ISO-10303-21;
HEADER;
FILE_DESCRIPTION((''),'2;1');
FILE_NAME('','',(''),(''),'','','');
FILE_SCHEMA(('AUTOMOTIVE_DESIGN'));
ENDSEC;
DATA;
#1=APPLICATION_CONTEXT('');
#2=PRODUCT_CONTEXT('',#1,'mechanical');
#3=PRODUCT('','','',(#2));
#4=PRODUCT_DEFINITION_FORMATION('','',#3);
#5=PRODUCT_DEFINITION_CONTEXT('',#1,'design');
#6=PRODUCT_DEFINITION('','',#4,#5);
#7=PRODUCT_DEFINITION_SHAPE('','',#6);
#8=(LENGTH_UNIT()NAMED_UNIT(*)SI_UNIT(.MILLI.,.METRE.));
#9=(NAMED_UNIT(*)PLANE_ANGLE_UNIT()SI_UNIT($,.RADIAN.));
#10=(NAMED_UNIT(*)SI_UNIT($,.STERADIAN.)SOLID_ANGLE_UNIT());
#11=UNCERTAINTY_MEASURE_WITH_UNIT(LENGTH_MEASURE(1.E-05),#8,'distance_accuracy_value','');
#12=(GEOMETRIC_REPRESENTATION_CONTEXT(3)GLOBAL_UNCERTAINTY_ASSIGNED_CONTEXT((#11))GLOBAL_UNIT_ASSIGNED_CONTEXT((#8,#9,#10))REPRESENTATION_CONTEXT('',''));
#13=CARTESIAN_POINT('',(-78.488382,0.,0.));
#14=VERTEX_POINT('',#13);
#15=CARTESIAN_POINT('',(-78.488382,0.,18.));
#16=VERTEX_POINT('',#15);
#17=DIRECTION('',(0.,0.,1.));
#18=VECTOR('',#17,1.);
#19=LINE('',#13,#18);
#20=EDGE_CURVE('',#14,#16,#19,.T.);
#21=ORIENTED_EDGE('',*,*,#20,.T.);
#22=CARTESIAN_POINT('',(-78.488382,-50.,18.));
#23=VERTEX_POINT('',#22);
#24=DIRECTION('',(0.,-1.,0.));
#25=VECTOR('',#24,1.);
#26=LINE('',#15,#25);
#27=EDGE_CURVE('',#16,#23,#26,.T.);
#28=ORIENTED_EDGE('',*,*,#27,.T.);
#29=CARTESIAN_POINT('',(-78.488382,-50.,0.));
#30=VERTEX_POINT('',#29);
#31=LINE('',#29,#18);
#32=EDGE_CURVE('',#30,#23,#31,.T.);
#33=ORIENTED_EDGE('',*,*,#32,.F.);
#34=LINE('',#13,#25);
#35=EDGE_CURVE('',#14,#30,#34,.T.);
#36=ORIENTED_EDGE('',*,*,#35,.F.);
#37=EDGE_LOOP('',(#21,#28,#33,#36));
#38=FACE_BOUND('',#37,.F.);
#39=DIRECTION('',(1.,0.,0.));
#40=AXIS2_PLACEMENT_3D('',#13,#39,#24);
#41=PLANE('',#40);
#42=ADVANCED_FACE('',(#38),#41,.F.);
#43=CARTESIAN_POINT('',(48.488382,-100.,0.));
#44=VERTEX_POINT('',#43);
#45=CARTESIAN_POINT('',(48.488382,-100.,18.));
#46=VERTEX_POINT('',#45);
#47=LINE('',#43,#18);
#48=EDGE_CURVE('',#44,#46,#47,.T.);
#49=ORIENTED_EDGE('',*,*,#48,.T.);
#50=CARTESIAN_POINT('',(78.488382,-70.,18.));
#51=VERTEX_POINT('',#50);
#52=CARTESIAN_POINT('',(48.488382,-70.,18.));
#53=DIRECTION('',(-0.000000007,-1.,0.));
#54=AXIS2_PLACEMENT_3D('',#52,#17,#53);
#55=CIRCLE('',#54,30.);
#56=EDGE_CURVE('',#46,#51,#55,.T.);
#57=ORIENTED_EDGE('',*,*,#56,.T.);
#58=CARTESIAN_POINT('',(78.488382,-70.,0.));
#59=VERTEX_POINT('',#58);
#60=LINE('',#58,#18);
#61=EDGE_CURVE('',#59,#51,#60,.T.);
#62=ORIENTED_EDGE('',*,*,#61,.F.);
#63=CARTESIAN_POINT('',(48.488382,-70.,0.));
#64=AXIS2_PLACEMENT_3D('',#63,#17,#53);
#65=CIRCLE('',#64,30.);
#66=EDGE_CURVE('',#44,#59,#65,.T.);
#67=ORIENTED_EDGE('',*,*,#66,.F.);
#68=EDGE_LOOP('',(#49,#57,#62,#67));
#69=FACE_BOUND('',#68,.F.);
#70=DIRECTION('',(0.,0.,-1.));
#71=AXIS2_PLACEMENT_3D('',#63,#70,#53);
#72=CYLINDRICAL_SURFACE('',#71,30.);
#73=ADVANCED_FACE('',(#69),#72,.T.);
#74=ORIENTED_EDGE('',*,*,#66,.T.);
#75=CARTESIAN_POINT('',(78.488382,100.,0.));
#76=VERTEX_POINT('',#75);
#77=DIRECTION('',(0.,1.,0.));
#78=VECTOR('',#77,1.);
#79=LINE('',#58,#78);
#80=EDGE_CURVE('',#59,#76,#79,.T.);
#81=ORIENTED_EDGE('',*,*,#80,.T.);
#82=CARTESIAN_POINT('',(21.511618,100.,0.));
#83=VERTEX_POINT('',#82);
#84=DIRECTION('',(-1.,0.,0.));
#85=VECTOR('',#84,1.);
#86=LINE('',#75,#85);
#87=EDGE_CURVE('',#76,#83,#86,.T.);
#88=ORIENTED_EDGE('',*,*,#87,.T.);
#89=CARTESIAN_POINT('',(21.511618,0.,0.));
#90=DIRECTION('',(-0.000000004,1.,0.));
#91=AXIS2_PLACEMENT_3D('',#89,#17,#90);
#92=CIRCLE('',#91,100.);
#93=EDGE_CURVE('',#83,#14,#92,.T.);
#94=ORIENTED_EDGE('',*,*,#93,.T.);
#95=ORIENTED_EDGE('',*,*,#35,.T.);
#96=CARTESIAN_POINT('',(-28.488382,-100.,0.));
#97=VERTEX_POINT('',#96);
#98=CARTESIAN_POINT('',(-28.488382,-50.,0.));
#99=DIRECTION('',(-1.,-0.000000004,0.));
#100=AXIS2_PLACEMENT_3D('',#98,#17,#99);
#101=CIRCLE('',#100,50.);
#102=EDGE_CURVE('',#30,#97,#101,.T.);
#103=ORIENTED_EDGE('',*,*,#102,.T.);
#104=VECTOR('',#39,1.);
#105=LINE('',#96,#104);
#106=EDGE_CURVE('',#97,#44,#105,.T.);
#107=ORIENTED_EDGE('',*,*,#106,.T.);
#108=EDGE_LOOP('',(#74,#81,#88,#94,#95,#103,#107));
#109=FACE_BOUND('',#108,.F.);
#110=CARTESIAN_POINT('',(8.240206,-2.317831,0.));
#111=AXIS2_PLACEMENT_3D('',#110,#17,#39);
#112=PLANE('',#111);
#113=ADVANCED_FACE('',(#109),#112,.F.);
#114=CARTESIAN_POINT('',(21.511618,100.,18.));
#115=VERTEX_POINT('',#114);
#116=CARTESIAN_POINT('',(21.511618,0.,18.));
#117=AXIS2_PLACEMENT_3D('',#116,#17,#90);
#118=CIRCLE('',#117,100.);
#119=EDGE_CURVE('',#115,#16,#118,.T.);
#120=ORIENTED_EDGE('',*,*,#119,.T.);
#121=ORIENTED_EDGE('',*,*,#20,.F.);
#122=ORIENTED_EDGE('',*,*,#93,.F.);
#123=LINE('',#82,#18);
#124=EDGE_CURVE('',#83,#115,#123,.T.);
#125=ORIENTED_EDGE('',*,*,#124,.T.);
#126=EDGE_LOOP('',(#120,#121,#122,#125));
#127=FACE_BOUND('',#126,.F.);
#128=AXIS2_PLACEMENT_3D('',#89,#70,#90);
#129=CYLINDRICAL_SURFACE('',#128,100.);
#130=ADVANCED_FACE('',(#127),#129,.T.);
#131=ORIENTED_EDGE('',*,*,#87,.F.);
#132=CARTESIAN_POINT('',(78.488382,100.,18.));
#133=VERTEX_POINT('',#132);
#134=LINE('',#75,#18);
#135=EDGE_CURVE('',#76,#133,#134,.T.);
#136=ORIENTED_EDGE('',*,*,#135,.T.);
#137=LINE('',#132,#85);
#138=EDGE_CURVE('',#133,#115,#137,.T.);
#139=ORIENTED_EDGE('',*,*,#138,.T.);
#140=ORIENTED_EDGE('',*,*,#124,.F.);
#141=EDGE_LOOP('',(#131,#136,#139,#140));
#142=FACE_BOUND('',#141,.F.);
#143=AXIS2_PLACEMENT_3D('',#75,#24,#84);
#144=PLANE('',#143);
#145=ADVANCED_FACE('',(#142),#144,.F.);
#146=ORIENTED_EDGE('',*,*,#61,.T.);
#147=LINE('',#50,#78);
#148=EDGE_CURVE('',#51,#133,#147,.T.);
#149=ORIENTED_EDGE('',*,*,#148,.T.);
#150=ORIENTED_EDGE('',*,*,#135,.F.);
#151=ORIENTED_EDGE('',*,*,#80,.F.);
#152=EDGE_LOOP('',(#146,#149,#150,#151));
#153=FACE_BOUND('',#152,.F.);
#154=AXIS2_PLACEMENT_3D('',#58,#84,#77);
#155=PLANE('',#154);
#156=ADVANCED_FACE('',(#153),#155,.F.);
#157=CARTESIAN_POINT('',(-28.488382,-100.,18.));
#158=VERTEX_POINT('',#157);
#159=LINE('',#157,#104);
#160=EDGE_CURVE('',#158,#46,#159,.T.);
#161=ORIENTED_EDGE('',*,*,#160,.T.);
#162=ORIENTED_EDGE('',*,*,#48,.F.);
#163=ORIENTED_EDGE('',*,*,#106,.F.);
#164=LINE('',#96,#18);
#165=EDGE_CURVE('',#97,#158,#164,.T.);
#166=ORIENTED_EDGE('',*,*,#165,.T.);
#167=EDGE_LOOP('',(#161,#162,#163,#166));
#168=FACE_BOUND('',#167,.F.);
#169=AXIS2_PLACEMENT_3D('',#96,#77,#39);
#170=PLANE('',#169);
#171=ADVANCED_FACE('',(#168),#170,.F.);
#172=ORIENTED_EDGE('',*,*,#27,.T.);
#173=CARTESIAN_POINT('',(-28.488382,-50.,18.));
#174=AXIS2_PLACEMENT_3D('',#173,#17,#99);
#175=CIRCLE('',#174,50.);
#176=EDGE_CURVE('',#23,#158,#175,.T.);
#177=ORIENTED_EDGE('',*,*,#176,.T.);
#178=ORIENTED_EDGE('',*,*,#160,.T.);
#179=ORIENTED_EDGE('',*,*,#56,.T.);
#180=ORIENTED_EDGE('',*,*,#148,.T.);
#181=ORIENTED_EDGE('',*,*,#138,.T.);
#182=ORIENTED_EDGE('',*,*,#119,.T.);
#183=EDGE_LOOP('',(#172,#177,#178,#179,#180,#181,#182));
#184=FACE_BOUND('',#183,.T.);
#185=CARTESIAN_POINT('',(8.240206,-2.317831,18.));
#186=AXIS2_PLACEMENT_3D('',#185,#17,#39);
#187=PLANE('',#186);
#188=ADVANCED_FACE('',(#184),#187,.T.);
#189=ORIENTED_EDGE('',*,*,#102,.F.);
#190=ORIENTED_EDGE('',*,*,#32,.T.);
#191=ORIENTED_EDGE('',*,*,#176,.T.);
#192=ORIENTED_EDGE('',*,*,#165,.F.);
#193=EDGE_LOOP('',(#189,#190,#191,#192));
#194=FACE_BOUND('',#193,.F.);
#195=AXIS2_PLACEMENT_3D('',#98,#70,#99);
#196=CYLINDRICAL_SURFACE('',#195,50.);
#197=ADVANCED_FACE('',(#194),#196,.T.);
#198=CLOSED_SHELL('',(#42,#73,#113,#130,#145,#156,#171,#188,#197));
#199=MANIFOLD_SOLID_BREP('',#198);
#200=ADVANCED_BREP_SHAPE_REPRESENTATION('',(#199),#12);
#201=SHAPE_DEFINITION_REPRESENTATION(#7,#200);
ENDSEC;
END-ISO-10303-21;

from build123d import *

# Parameters (mm, degrees)
F1_DEPTH = 18


with BuildPart() as f1:
    # F0 (on Top) → F1 (new body)
    with BuildSketch(Plane.XY):
        with BuildLine():
            Line((-28.488382, -100), (48.488382, -100))
            ThreePointArc((48.488382, -100), (69.701586, -91.213203), (78.488382, -70))
            Line((78.488382, -70), (78.488382, 100))
            Line((78.488382, 100), (21.511618, 100))
            ThreePointArc((21.511618, 100), (-49.19906, 70.710678), (-78.488382, 0))
            Line((-78.488382, 0), (-78.488382, -50))
            ThreePointArc((-78.488382, -50), (-63.843721, -85.355339), (-28.488382, -100))
        make_face()
    extrude(amount=F1_DEPTH)


solid = f1.part
